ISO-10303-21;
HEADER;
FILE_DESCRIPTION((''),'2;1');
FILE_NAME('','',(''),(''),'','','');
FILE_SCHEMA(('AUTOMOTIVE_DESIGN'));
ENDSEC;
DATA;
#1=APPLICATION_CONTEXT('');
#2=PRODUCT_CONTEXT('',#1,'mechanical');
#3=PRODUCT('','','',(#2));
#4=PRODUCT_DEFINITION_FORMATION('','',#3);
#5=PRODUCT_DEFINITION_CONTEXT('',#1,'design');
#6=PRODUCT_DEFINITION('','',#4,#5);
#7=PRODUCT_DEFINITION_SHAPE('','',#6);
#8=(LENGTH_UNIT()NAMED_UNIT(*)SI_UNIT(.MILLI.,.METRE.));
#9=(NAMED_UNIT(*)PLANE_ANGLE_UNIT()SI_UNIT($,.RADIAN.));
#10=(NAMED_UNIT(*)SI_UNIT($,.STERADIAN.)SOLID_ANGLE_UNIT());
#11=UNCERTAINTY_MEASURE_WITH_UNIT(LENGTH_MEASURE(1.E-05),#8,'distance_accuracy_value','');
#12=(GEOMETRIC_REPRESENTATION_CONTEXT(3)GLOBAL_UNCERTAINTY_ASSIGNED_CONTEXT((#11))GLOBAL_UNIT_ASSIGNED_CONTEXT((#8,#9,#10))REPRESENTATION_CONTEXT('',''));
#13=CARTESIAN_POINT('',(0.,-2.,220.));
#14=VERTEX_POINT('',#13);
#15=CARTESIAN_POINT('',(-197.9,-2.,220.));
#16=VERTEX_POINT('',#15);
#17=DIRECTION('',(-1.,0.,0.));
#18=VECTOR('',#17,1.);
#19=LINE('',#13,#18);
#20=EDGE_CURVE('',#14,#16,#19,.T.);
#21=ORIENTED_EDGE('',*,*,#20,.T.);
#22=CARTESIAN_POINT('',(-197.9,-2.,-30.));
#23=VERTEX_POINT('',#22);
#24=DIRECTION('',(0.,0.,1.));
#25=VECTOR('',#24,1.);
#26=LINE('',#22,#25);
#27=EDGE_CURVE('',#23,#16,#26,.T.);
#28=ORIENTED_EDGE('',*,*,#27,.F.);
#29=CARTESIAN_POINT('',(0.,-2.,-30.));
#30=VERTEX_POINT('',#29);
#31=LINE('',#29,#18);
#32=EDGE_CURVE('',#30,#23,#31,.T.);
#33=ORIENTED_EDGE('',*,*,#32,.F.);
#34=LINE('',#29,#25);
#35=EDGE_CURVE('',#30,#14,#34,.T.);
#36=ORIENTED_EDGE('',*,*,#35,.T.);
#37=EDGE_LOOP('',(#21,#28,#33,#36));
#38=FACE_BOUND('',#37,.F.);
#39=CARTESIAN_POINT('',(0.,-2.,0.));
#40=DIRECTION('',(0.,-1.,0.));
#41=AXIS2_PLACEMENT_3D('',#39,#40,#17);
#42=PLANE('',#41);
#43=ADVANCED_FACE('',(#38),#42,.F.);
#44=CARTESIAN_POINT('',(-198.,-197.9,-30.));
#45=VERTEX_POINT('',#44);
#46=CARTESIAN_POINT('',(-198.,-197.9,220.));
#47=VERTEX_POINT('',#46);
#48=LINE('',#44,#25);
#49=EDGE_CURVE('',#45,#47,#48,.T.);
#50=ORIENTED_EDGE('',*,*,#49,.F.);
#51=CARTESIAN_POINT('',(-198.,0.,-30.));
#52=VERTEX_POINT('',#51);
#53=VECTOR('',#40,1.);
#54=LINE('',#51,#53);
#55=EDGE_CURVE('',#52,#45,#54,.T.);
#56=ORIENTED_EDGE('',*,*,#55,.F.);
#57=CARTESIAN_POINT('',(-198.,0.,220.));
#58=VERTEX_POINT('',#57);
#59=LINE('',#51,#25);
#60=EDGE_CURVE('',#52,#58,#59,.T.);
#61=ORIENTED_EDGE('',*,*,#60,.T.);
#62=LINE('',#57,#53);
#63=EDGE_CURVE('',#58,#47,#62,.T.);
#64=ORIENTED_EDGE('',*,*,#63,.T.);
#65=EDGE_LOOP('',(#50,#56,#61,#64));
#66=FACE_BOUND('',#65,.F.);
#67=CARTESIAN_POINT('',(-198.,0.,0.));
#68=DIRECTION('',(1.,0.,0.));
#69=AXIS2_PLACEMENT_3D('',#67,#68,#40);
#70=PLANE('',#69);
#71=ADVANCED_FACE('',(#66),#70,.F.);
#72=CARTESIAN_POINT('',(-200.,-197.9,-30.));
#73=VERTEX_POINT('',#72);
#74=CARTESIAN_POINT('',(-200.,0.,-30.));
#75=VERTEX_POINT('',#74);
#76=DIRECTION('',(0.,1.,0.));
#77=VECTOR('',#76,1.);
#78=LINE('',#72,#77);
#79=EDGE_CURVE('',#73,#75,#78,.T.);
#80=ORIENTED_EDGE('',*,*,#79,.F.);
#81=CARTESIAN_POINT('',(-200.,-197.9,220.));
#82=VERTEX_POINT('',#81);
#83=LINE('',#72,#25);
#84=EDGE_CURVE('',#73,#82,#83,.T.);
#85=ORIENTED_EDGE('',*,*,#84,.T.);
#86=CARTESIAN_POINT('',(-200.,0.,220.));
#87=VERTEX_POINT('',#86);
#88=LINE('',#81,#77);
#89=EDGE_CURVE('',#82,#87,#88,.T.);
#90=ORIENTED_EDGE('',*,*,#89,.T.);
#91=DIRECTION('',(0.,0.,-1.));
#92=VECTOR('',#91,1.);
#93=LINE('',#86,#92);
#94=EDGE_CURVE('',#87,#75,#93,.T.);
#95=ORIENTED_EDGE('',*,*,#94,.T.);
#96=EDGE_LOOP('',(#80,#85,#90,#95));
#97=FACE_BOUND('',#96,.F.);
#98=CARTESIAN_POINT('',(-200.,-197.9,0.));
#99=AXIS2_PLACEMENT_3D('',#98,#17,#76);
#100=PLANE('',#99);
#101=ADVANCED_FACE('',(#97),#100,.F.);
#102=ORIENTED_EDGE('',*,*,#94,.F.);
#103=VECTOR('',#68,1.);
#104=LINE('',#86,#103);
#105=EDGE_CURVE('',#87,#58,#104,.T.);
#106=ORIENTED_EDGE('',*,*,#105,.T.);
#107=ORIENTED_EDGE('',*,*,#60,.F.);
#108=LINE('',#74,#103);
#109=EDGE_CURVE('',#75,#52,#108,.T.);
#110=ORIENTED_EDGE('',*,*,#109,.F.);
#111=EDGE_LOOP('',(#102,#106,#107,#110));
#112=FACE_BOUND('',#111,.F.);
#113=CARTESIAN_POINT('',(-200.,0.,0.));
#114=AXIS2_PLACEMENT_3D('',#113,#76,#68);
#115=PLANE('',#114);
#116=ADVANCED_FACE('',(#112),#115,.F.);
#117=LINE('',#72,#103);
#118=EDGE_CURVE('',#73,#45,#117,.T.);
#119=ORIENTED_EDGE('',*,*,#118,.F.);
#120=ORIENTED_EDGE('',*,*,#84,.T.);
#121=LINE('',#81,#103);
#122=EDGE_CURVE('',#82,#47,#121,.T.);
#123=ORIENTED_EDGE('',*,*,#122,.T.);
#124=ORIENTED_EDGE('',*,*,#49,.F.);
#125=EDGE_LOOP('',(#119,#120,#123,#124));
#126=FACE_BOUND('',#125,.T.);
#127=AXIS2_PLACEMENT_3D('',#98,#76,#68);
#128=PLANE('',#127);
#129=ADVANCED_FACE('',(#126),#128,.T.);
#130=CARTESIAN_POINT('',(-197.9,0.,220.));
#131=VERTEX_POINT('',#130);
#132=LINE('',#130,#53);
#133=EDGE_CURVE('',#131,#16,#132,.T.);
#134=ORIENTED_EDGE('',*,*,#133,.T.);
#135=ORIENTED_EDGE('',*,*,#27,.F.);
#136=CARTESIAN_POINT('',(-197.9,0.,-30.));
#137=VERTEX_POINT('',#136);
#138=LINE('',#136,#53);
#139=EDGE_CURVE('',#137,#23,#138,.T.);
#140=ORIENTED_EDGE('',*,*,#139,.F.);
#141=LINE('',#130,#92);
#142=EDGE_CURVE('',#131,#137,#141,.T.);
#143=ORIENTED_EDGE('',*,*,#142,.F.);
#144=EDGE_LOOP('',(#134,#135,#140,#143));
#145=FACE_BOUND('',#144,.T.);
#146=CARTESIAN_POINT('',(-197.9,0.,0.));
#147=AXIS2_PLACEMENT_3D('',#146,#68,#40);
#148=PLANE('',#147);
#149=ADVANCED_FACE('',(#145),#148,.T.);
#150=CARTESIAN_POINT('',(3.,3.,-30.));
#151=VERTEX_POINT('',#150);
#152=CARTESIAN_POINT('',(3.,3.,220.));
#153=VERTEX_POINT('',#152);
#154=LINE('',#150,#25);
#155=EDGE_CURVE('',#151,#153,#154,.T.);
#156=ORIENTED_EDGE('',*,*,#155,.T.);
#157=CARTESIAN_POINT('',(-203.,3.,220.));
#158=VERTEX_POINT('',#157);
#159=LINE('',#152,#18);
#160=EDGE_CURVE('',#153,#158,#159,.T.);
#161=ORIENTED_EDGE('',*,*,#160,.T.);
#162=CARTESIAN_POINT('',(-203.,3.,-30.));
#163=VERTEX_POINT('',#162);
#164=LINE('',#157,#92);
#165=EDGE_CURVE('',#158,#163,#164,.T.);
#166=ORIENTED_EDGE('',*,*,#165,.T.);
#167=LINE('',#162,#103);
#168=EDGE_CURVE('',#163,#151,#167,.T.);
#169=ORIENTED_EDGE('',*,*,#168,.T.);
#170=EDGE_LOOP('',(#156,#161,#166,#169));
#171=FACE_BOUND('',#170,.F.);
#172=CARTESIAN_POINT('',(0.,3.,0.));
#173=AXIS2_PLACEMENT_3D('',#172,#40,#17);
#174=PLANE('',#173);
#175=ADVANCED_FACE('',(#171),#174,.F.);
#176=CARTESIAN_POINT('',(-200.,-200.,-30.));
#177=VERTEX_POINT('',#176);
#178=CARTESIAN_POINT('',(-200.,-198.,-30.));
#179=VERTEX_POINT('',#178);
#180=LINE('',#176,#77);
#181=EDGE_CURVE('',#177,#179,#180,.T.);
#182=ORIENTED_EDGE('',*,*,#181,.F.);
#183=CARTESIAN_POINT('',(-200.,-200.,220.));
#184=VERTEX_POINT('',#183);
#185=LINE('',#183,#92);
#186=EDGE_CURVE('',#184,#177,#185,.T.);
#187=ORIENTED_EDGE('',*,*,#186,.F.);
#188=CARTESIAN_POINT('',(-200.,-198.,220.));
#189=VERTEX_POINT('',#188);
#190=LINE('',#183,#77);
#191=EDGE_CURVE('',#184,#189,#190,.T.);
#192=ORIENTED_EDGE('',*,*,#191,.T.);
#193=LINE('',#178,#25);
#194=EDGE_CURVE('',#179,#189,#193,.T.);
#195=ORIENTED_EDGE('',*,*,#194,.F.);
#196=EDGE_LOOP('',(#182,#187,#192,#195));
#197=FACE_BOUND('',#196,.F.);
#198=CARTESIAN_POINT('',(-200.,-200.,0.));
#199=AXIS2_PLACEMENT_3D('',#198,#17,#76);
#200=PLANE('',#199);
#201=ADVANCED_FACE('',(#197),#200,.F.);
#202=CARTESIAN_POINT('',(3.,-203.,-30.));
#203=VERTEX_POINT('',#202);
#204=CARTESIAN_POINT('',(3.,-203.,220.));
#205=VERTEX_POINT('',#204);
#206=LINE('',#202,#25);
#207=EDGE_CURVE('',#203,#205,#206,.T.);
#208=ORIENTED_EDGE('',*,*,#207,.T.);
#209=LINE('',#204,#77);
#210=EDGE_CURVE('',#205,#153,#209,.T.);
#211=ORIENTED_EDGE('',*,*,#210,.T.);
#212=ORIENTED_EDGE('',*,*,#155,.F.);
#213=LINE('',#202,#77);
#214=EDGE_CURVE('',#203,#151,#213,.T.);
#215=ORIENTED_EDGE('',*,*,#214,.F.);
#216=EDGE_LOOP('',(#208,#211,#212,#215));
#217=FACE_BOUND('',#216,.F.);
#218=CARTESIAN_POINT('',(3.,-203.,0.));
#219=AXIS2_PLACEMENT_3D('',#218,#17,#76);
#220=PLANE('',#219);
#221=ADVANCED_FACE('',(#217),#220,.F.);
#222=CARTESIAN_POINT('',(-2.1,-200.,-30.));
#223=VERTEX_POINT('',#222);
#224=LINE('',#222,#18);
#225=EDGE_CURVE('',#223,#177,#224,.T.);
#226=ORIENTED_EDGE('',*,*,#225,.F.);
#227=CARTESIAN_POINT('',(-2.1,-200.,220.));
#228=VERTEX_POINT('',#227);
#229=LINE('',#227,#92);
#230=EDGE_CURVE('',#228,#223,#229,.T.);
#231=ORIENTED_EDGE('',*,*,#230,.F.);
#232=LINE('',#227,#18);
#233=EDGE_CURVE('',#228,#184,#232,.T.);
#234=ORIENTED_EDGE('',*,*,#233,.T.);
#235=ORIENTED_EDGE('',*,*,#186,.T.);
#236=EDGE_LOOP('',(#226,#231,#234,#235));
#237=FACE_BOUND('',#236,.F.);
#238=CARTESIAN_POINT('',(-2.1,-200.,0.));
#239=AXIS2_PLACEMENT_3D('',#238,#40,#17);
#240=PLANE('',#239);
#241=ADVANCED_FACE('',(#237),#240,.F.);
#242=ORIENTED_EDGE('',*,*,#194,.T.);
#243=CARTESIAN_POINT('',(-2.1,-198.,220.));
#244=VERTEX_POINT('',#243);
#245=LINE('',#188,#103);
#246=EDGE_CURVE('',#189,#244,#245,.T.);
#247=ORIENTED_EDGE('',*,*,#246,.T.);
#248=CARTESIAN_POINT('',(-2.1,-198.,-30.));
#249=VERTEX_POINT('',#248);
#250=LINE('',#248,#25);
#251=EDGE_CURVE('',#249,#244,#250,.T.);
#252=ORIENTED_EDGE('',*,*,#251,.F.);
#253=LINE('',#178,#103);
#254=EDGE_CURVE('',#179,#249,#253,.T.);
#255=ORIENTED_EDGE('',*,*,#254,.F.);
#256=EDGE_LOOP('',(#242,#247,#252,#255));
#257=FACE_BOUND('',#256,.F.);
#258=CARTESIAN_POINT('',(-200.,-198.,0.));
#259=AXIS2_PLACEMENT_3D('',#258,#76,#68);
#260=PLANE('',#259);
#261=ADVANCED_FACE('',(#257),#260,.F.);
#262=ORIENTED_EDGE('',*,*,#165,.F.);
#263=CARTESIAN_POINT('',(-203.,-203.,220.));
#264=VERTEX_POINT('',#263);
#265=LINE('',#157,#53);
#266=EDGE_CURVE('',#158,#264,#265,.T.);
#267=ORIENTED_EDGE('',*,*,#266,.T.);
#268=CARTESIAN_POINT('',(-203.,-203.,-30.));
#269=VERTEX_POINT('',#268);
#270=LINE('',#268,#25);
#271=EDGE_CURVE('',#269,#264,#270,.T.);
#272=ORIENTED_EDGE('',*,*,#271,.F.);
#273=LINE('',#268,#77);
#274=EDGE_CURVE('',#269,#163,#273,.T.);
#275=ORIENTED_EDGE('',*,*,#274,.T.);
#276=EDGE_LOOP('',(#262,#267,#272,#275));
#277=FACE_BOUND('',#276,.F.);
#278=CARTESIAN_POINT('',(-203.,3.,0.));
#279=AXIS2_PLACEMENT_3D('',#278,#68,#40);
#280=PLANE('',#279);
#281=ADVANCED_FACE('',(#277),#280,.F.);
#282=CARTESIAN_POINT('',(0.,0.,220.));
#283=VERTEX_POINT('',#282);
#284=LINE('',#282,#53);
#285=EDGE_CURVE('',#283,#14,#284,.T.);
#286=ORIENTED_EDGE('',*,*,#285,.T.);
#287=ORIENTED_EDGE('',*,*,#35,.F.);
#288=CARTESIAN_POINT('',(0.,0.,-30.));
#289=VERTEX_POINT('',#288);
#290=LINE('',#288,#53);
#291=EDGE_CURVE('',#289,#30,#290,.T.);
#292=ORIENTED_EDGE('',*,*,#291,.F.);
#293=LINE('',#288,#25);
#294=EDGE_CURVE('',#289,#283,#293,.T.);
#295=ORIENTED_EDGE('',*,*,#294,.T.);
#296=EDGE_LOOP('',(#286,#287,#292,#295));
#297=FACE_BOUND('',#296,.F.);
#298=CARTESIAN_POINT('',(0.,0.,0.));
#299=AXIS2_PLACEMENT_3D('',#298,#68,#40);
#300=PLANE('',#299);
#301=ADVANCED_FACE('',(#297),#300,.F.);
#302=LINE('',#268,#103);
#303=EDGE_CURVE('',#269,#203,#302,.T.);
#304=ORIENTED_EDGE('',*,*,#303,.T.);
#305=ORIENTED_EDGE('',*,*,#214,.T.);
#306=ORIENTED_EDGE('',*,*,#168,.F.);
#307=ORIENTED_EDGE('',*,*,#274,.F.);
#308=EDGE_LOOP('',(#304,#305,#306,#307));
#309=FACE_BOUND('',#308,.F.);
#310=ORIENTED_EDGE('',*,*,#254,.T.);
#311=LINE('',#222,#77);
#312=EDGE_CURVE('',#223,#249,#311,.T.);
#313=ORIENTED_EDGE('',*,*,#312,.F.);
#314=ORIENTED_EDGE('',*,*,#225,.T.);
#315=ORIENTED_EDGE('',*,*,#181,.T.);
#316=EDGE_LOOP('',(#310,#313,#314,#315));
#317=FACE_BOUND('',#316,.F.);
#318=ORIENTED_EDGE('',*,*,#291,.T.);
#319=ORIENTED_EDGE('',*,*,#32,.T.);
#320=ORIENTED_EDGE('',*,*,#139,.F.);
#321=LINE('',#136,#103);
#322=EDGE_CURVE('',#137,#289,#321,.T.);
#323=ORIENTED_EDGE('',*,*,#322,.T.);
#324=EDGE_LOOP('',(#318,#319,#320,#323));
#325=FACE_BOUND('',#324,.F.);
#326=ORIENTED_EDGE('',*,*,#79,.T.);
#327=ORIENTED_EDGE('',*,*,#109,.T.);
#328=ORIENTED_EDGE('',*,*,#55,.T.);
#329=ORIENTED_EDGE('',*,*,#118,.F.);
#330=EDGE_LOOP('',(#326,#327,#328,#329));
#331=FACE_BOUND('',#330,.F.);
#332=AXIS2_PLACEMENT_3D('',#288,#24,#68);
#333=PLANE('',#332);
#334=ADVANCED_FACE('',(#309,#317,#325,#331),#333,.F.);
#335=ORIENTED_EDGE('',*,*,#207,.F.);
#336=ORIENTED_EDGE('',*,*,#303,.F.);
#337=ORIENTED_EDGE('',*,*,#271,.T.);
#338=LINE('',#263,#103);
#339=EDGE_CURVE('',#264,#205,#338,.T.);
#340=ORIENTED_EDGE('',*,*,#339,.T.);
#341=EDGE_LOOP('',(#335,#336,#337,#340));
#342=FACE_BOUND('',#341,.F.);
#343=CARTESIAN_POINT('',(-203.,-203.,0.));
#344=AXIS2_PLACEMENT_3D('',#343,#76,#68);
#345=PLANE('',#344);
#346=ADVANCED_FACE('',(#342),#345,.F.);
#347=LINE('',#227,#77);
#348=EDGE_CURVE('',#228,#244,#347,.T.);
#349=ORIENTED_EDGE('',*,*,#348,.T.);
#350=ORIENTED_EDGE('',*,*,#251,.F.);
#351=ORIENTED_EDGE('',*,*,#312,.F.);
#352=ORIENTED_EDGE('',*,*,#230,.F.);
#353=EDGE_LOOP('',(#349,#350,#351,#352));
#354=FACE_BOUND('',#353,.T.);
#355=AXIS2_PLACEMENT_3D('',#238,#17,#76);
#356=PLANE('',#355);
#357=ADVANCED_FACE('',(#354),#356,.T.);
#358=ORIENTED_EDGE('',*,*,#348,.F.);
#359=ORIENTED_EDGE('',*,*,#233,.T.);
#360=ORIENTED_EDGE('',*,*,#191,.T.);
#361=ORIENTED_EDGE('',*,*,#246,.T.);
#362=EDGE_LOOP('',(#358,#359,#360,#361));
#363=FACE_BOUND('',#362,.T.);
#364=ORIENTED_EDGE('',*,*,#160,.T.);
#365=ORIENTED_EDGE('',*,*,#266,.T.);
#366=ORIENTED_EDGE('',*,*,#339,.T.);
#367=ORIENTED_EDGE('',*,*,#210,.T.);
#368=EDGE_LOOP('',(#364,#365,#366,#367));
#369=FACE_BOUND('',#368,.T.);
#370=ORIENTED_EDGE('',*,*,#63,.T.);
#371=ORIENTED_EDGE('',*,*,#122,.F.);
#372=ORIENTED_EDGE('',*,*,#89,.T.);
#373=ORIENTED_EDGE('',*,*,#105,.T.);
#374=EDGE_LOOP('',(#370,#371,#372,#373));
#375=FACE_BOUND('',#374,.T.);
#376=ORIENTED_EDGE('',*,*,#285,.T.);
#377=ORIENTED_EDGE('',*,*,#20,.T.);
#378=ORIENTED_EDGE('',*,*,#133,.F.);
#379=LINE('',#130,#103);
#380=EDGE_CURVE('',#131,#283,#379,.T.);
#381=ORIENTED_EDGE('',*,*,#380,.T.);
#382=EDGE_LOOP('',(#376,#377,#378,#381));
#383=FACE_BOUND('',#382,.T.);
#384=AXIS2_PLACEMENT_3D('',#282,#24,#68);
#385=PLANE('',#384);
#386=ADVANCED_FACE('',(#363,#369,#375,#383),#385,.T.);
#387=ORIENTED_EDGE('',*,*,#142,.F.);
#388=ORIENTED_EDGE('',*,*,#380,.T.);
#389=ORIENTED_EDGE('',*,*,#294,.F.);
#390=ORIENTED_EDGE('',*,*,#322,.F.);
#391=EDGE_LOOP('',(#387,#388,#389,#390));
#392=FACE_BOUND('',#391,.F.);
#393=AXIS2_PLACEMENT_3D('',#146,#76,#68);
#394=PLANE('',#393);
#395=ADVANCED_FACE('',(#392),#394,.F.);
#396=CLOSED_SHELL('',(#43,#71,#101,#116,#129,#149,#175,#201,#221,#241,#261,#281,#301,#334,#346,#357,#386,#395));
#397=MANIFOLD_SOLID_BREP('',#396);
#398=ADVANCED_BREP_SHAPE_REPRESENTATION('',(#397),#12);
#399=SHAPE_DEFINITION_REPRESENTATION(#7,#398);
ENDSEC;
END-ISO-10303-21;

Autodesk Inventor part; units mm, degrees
ref_plane "YZ Plane" through (0, 0, 0) normal (1, 0, 0) x (0, 1, 0)
ref_plane "XZ Plane" through (0, 0, 0) normal (0, 1, 0) x (-1, 0, 0)
ref_plane "XY Plane" through (0, 0, 0) normal (0, 0, 1) x (1, 0, 0)
sketch "Boceto1" plane through (0, 0, 0) normal (0, 0, 1) x (1, 0, 0)
  line L0 (-200, -197.9) -> (-200, 0) projected
  line L1 (-198, 0) -> (-198, -197.9) projected
  line L2 (-200, 0) -> (-198, 0) projected
  line L3 (-197.9, 0) -> (0, 0) projected
  line L4 (0, -2) -> (-197.9, -2) projected
  line L5 (0, 0) -> (0, -2) projected
  line L6 (0, -2.1) -> (0, -200) projected
  line L7 (-2, -200) -> (-2, -2.1) projected
  line L8 (0, -200) -> (-2, -200) projected
  line L9 (-2.1, -200) -> (-200, -200) projected
  line L10 (-200, -198) -> (-2.1, -198) projected
  line L11 (-200, -200) -> (-200, -198) projected
  line L12 (-200, -200) -> (0, -200)
  line L13 (0, -200) -> (0, 0)
  line L14 (0, 0) -> (-200, 0)
  line L15 (-200, 0) -> (-200, -200)
  line L16 (0, 0) -> (0, 3)
  line L17 (0, 3) -> (3, 3)
  line L18 (-200, -200) -> (-203, -200)
  line L19 (-203, -200) -> (-203, -203)
  line L20 (-203, -203) -> (3, -203)
  line L21 (3, -203) -> (3, 3)
  line L22 (3, 3) -> (-203, 3)
  line L23 (-203, 3) -> (-203, -203)
  line L24 (-200, -197.9) -> (-198, -197.9) projected
  line L25 (-197.9, 0) -> (-197.9, -2) projected
  line L26 (0, -2.1) -> (-2, -2.1) projected
  line L27 (-2.1, -200) -> (-2.1, -198) projected
  point P0 (-198, -198)
  point P1 (-198, -2)
  point P2 (-2, -2)
  point P3 (-2, -198)
  dimension "espesor" = 3
  dimension "d1" = 3
  dimension "d2" = 3
  dimension "d3" = 3
extrude "Extrusión1" add sketch "Boceto1" along normal blind 220 and the other way blind 30 contours L15 L11 L18 L23 L22 L16 L3 L14 L2 L0 | L24 L1 L14 L25 L4 L13 L26 L7 L12 L27 L10 L15 | L9 L12 L8 L6 L13 L5 L16 L17 L21 L20 L19 L18 | L7 L26 L6 L8
equation "\"d1\" = espesor"
equation "\"d2\" = espesor"
equation "\"d3\" = espesor"
properties part number "Envolvente"
